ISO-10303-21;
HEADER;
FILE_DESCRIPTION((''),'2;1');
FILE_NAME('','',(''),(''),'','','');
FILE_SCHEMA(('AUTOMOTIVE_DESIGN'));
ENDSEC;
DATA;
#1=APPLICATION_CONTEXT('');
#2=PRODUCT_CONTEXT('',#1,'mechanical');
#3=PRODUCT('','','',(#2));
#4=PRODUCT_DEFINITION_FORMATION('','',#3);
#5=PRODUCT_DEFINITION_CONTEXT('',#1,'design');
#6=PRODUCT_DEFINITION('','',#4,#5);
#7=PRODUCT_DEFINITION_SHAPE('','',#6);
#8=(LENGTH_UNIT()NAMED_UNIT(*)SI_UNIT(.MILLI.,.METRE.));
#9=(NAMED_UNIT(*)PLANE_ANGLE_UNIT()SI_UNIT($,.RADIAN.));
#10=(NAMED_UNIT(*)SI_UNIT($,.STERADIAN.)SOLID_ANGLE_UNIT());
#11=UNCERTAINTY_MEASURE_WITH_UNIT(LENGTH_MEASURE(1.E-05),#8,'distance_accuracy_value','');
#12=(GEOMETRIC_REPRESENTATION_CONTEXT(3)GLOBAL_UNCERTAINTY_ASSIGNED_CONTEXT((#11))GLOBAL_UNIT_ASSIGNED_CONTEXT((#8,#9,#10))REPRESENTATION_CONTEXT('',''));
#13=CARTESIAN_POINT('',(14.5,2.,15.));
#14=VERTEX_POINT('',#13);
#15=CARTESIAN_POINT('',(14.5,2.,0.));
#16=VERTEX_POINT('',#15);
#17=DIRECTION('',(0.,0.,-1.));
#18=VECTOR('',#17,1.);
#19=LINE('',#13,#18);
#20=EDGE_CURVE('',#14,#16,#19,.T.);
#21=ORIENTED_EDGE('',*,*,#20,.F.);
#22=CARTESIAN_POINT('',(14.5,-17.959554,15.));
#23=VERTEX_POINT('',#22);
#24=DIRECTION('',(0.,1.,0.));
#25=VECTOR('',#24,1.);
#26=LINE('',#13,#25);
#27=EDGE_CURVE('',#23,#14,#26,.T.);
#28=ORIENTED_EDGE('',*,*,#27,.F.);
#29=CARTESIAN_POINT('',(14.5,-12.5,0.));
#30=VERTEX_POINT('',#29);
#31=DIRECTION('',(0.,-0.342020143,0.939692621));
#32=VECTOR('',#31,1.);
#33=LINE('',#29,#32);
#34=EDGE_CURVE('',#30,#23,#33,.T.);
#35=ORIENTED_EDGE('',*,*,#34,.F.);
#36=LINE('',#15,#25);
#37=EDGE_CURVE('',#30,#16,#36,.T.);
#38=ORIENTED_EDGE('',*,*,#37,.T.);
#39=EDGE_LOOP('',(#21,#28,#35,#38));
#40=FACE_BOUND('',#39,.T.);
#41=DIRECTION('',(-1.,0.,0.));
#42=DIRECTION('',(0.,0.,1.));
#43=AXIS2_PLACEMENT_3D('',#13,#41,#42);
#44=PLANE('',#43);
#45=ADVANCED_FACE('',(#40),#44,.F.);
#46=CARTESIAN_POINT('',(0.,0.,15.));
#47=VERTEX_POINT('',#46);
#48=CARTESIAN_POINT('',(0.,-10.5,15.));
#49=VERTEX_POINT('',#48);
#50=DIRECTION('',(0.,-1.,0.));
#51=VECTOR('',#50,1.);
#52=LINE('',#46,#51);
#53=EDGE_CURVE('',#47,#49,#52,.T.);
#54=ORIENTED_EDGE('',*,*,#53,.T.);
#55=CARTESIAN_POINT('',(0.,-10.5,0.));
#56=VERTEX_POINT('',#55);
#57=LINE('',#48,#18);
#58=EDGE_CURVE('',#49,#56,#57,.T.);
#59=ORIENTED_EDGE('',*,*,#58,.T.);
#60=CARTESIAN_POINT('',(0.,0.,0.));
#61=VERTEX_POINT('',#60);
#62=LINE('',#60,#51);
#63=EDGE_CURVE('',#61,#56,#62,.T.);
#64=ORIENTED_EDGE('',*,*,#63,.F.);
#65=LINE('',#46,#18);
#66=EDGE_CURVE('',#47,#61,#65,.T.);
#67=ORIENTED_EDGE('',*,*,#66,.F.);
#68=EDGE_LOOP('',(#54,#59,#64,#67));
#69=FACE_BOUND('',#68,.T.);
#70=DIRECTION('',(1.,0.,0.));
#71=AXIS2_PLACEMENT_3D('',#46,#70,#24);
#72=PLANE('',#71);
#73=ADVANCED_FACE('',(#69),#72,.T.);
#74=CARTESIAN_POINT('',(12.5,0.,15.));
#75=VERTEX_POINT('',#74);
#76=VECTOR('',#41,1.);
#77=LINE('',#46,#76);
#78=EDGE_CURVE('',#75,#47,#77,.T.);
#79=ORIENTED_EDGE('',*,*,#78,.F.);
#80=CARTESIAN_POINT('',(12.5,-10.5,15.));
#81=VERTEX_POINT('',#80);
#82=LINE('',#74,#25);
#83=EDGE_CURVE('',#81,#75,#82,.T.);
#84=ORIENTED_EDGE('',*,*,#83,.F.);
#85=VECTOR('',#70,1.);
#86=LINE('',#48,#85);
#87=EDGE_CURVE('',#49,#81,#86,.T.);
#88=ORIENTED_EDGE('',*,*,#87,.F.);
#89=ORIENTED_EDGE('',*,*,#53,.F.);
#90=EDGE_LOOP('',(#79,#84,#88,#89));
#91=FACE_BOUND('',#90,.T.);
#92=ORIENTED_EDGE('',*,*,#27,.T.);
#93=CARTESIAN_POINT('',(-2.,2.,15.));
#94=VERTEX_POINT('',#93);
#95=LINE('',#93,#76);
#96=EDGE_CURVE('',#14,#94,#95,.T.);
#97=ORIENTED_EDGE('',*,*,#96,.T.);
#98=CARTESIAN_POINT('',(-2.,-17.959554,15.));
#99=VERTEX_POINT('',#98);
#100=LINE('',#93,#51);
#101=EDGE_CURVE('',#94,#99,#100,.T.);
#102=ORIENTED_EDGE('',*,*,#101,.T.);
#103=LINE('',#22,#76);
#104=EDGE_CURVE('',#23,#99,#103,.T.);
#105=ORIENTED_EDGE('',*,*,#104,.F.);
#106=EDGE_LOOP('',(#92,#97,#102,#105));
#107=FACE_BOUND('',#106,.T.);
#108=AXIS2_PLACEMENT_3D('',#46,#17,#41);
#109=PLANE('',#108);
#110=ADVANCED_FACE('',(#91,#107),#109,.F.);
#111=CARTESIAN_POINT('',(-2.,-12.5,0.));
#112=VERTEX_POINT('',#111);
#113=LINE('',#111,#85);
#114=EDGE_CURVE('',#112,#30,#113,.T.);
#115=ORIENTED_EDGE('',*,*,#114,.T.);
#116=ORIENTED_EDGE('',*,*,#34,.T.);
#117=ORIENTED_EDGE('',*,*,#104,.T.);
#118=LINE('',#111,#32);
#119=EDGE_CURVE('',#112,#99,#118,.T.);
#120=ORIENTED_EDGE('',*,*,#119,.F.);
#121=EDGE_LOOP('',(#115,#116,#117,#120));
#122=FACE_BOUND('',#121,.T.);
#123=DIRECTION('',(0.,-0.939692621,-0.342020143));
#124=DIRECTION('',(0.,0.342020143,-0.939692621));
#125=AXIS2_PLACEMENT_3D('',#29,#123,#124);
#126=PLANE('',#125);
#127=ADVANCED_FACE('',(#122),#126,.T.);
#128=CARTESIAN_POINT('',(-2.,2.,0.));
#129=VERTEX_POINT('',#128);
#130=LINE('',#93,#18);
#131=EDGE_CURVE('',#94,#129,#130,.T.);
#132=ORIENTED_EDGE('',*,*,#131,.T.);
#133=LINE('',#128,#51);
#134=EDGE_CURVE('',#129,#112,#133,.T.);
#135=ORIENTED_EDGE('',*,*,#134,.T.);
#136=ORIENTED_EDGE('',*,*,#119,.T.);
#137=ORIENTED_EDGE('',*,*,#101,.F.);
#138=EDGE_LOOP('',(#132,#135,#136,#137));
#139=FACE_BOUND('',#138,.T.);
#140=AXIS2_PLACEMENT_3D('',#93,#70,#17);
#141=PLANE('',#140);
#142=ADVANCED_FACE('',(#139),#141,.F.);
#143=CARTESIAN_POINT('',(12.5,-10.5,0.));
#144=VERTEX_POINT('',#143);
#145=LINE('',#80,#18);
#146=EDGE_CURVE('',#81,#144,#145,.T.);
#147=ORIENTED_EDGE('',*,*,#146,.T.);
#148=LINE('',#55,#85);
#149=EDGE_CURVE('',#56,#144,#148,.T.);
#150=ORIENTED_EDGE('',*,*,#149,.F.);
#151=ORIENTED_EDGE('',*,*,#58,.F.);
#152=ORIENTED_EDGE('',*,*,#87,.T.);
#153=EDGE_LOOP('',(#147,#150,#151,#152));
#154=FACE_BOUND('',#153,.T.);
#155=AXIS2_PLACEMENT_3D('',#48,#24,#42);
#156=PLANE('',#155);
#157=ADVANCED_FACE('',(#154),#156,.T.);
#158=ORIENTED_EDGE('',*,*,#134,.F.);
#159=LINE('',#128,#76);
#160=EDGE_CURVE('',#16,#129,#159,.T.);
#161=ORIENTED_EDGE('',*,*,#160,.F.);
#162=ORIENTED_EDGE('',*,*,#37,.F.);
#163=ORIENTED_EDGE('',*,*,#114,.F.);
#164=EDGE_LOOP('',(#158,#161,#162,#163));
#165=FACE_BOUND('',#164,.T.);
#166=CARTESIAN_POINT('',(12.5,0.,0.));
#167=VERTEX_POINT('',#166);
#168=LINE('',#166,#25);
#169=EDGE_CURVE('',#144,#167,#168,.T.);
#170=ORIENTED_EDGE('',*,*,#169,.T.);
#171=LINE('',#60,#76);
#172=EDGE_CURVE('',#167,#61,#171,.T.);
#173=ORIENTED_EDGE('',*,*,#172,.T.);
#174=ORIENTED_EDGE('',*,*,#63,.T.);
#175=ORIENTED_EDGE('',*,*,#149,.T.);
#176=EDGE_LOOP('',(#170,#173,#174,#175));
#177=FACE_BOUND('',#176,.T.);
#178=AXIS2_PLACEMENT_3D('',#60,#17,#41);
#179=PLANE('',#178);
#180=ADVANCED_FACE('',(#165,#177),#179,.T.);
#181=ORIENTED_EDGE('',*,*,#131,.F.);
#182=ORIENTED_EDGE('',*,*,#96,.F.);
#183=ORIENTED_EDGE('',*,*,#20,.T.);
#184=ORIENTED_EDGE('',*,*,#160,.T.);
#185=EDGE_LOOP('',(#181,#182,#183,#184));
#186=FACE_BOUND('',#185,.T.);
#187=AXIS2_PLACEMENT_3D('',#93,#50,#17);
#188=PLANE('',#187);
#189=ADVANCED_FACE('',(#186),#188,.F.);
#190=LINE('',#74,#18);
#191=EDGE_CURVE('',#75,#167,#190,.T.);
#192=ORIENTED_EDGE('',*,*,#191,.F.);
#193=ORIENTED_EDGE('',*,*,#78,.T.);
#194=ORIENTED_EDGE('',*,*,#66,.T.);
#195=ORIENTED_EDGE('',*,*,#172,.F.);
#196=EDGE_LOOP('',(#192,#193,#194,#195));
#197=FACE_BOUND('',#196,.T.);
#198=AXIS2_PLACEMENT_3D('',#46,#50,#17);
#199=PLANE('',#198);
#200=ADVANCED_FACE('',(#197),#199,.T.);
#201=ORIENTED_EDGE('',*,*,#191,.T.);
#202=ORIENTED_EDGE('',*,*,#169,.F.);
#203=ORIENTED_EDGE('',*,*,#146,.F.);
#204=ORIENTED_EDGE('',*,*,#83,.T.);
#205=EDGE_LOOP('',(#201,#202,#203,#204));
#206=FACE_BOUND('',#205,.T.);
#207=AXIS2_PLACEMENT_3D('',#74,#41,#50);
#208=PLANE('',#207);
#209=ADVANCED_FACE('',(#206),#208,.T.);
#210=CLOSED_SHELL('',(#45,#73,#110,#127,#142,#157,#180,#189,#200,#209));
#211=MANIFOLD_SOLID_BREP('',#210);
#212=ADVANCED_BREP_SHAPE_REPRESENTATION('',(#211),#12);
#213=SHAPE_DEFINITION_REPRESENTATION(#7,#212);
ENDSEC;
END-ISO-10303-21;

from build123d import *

# Parameters (mm, degrees)
SKETCH1_W           = 16.5
SKETCH1_H           = 14.5
SKETCH1_W_2         = 12.5
SKETCH1_H_2         = 10.5
BOSS_EXTRUDE1_DEPTH = 15
BOSS_EXTRUDE2_DEPTH = 16.5


with BuildPart() as part:
    # Sketch1 → Boss-Extrude1 (new body)
    with BuildSketch(Plane.XY):
        with Locations((6.25, -5.25)):
            Rectangle(SKETCH1_W, SKETCH1_H)
        with Locations((6.25, -5.25)):
            Rectangle(SKETCH1_W_2, SKETCH1_H_2, mode=Mode.SUBTRACT)
    extrude(amount=BOSS_EXTRUDE1_DEPTH)

    # Sketch2 → Boss-Extrude2 (add)
    with BuildSketch(Plane.ZY.offset(2)):
        Polygon((0, -12.5), (15, -17.959553514), (15, -12.5), align=None)
    extrude(amount=-BOSS_EXTRUDE2_DEPTH)


solid = part.part
